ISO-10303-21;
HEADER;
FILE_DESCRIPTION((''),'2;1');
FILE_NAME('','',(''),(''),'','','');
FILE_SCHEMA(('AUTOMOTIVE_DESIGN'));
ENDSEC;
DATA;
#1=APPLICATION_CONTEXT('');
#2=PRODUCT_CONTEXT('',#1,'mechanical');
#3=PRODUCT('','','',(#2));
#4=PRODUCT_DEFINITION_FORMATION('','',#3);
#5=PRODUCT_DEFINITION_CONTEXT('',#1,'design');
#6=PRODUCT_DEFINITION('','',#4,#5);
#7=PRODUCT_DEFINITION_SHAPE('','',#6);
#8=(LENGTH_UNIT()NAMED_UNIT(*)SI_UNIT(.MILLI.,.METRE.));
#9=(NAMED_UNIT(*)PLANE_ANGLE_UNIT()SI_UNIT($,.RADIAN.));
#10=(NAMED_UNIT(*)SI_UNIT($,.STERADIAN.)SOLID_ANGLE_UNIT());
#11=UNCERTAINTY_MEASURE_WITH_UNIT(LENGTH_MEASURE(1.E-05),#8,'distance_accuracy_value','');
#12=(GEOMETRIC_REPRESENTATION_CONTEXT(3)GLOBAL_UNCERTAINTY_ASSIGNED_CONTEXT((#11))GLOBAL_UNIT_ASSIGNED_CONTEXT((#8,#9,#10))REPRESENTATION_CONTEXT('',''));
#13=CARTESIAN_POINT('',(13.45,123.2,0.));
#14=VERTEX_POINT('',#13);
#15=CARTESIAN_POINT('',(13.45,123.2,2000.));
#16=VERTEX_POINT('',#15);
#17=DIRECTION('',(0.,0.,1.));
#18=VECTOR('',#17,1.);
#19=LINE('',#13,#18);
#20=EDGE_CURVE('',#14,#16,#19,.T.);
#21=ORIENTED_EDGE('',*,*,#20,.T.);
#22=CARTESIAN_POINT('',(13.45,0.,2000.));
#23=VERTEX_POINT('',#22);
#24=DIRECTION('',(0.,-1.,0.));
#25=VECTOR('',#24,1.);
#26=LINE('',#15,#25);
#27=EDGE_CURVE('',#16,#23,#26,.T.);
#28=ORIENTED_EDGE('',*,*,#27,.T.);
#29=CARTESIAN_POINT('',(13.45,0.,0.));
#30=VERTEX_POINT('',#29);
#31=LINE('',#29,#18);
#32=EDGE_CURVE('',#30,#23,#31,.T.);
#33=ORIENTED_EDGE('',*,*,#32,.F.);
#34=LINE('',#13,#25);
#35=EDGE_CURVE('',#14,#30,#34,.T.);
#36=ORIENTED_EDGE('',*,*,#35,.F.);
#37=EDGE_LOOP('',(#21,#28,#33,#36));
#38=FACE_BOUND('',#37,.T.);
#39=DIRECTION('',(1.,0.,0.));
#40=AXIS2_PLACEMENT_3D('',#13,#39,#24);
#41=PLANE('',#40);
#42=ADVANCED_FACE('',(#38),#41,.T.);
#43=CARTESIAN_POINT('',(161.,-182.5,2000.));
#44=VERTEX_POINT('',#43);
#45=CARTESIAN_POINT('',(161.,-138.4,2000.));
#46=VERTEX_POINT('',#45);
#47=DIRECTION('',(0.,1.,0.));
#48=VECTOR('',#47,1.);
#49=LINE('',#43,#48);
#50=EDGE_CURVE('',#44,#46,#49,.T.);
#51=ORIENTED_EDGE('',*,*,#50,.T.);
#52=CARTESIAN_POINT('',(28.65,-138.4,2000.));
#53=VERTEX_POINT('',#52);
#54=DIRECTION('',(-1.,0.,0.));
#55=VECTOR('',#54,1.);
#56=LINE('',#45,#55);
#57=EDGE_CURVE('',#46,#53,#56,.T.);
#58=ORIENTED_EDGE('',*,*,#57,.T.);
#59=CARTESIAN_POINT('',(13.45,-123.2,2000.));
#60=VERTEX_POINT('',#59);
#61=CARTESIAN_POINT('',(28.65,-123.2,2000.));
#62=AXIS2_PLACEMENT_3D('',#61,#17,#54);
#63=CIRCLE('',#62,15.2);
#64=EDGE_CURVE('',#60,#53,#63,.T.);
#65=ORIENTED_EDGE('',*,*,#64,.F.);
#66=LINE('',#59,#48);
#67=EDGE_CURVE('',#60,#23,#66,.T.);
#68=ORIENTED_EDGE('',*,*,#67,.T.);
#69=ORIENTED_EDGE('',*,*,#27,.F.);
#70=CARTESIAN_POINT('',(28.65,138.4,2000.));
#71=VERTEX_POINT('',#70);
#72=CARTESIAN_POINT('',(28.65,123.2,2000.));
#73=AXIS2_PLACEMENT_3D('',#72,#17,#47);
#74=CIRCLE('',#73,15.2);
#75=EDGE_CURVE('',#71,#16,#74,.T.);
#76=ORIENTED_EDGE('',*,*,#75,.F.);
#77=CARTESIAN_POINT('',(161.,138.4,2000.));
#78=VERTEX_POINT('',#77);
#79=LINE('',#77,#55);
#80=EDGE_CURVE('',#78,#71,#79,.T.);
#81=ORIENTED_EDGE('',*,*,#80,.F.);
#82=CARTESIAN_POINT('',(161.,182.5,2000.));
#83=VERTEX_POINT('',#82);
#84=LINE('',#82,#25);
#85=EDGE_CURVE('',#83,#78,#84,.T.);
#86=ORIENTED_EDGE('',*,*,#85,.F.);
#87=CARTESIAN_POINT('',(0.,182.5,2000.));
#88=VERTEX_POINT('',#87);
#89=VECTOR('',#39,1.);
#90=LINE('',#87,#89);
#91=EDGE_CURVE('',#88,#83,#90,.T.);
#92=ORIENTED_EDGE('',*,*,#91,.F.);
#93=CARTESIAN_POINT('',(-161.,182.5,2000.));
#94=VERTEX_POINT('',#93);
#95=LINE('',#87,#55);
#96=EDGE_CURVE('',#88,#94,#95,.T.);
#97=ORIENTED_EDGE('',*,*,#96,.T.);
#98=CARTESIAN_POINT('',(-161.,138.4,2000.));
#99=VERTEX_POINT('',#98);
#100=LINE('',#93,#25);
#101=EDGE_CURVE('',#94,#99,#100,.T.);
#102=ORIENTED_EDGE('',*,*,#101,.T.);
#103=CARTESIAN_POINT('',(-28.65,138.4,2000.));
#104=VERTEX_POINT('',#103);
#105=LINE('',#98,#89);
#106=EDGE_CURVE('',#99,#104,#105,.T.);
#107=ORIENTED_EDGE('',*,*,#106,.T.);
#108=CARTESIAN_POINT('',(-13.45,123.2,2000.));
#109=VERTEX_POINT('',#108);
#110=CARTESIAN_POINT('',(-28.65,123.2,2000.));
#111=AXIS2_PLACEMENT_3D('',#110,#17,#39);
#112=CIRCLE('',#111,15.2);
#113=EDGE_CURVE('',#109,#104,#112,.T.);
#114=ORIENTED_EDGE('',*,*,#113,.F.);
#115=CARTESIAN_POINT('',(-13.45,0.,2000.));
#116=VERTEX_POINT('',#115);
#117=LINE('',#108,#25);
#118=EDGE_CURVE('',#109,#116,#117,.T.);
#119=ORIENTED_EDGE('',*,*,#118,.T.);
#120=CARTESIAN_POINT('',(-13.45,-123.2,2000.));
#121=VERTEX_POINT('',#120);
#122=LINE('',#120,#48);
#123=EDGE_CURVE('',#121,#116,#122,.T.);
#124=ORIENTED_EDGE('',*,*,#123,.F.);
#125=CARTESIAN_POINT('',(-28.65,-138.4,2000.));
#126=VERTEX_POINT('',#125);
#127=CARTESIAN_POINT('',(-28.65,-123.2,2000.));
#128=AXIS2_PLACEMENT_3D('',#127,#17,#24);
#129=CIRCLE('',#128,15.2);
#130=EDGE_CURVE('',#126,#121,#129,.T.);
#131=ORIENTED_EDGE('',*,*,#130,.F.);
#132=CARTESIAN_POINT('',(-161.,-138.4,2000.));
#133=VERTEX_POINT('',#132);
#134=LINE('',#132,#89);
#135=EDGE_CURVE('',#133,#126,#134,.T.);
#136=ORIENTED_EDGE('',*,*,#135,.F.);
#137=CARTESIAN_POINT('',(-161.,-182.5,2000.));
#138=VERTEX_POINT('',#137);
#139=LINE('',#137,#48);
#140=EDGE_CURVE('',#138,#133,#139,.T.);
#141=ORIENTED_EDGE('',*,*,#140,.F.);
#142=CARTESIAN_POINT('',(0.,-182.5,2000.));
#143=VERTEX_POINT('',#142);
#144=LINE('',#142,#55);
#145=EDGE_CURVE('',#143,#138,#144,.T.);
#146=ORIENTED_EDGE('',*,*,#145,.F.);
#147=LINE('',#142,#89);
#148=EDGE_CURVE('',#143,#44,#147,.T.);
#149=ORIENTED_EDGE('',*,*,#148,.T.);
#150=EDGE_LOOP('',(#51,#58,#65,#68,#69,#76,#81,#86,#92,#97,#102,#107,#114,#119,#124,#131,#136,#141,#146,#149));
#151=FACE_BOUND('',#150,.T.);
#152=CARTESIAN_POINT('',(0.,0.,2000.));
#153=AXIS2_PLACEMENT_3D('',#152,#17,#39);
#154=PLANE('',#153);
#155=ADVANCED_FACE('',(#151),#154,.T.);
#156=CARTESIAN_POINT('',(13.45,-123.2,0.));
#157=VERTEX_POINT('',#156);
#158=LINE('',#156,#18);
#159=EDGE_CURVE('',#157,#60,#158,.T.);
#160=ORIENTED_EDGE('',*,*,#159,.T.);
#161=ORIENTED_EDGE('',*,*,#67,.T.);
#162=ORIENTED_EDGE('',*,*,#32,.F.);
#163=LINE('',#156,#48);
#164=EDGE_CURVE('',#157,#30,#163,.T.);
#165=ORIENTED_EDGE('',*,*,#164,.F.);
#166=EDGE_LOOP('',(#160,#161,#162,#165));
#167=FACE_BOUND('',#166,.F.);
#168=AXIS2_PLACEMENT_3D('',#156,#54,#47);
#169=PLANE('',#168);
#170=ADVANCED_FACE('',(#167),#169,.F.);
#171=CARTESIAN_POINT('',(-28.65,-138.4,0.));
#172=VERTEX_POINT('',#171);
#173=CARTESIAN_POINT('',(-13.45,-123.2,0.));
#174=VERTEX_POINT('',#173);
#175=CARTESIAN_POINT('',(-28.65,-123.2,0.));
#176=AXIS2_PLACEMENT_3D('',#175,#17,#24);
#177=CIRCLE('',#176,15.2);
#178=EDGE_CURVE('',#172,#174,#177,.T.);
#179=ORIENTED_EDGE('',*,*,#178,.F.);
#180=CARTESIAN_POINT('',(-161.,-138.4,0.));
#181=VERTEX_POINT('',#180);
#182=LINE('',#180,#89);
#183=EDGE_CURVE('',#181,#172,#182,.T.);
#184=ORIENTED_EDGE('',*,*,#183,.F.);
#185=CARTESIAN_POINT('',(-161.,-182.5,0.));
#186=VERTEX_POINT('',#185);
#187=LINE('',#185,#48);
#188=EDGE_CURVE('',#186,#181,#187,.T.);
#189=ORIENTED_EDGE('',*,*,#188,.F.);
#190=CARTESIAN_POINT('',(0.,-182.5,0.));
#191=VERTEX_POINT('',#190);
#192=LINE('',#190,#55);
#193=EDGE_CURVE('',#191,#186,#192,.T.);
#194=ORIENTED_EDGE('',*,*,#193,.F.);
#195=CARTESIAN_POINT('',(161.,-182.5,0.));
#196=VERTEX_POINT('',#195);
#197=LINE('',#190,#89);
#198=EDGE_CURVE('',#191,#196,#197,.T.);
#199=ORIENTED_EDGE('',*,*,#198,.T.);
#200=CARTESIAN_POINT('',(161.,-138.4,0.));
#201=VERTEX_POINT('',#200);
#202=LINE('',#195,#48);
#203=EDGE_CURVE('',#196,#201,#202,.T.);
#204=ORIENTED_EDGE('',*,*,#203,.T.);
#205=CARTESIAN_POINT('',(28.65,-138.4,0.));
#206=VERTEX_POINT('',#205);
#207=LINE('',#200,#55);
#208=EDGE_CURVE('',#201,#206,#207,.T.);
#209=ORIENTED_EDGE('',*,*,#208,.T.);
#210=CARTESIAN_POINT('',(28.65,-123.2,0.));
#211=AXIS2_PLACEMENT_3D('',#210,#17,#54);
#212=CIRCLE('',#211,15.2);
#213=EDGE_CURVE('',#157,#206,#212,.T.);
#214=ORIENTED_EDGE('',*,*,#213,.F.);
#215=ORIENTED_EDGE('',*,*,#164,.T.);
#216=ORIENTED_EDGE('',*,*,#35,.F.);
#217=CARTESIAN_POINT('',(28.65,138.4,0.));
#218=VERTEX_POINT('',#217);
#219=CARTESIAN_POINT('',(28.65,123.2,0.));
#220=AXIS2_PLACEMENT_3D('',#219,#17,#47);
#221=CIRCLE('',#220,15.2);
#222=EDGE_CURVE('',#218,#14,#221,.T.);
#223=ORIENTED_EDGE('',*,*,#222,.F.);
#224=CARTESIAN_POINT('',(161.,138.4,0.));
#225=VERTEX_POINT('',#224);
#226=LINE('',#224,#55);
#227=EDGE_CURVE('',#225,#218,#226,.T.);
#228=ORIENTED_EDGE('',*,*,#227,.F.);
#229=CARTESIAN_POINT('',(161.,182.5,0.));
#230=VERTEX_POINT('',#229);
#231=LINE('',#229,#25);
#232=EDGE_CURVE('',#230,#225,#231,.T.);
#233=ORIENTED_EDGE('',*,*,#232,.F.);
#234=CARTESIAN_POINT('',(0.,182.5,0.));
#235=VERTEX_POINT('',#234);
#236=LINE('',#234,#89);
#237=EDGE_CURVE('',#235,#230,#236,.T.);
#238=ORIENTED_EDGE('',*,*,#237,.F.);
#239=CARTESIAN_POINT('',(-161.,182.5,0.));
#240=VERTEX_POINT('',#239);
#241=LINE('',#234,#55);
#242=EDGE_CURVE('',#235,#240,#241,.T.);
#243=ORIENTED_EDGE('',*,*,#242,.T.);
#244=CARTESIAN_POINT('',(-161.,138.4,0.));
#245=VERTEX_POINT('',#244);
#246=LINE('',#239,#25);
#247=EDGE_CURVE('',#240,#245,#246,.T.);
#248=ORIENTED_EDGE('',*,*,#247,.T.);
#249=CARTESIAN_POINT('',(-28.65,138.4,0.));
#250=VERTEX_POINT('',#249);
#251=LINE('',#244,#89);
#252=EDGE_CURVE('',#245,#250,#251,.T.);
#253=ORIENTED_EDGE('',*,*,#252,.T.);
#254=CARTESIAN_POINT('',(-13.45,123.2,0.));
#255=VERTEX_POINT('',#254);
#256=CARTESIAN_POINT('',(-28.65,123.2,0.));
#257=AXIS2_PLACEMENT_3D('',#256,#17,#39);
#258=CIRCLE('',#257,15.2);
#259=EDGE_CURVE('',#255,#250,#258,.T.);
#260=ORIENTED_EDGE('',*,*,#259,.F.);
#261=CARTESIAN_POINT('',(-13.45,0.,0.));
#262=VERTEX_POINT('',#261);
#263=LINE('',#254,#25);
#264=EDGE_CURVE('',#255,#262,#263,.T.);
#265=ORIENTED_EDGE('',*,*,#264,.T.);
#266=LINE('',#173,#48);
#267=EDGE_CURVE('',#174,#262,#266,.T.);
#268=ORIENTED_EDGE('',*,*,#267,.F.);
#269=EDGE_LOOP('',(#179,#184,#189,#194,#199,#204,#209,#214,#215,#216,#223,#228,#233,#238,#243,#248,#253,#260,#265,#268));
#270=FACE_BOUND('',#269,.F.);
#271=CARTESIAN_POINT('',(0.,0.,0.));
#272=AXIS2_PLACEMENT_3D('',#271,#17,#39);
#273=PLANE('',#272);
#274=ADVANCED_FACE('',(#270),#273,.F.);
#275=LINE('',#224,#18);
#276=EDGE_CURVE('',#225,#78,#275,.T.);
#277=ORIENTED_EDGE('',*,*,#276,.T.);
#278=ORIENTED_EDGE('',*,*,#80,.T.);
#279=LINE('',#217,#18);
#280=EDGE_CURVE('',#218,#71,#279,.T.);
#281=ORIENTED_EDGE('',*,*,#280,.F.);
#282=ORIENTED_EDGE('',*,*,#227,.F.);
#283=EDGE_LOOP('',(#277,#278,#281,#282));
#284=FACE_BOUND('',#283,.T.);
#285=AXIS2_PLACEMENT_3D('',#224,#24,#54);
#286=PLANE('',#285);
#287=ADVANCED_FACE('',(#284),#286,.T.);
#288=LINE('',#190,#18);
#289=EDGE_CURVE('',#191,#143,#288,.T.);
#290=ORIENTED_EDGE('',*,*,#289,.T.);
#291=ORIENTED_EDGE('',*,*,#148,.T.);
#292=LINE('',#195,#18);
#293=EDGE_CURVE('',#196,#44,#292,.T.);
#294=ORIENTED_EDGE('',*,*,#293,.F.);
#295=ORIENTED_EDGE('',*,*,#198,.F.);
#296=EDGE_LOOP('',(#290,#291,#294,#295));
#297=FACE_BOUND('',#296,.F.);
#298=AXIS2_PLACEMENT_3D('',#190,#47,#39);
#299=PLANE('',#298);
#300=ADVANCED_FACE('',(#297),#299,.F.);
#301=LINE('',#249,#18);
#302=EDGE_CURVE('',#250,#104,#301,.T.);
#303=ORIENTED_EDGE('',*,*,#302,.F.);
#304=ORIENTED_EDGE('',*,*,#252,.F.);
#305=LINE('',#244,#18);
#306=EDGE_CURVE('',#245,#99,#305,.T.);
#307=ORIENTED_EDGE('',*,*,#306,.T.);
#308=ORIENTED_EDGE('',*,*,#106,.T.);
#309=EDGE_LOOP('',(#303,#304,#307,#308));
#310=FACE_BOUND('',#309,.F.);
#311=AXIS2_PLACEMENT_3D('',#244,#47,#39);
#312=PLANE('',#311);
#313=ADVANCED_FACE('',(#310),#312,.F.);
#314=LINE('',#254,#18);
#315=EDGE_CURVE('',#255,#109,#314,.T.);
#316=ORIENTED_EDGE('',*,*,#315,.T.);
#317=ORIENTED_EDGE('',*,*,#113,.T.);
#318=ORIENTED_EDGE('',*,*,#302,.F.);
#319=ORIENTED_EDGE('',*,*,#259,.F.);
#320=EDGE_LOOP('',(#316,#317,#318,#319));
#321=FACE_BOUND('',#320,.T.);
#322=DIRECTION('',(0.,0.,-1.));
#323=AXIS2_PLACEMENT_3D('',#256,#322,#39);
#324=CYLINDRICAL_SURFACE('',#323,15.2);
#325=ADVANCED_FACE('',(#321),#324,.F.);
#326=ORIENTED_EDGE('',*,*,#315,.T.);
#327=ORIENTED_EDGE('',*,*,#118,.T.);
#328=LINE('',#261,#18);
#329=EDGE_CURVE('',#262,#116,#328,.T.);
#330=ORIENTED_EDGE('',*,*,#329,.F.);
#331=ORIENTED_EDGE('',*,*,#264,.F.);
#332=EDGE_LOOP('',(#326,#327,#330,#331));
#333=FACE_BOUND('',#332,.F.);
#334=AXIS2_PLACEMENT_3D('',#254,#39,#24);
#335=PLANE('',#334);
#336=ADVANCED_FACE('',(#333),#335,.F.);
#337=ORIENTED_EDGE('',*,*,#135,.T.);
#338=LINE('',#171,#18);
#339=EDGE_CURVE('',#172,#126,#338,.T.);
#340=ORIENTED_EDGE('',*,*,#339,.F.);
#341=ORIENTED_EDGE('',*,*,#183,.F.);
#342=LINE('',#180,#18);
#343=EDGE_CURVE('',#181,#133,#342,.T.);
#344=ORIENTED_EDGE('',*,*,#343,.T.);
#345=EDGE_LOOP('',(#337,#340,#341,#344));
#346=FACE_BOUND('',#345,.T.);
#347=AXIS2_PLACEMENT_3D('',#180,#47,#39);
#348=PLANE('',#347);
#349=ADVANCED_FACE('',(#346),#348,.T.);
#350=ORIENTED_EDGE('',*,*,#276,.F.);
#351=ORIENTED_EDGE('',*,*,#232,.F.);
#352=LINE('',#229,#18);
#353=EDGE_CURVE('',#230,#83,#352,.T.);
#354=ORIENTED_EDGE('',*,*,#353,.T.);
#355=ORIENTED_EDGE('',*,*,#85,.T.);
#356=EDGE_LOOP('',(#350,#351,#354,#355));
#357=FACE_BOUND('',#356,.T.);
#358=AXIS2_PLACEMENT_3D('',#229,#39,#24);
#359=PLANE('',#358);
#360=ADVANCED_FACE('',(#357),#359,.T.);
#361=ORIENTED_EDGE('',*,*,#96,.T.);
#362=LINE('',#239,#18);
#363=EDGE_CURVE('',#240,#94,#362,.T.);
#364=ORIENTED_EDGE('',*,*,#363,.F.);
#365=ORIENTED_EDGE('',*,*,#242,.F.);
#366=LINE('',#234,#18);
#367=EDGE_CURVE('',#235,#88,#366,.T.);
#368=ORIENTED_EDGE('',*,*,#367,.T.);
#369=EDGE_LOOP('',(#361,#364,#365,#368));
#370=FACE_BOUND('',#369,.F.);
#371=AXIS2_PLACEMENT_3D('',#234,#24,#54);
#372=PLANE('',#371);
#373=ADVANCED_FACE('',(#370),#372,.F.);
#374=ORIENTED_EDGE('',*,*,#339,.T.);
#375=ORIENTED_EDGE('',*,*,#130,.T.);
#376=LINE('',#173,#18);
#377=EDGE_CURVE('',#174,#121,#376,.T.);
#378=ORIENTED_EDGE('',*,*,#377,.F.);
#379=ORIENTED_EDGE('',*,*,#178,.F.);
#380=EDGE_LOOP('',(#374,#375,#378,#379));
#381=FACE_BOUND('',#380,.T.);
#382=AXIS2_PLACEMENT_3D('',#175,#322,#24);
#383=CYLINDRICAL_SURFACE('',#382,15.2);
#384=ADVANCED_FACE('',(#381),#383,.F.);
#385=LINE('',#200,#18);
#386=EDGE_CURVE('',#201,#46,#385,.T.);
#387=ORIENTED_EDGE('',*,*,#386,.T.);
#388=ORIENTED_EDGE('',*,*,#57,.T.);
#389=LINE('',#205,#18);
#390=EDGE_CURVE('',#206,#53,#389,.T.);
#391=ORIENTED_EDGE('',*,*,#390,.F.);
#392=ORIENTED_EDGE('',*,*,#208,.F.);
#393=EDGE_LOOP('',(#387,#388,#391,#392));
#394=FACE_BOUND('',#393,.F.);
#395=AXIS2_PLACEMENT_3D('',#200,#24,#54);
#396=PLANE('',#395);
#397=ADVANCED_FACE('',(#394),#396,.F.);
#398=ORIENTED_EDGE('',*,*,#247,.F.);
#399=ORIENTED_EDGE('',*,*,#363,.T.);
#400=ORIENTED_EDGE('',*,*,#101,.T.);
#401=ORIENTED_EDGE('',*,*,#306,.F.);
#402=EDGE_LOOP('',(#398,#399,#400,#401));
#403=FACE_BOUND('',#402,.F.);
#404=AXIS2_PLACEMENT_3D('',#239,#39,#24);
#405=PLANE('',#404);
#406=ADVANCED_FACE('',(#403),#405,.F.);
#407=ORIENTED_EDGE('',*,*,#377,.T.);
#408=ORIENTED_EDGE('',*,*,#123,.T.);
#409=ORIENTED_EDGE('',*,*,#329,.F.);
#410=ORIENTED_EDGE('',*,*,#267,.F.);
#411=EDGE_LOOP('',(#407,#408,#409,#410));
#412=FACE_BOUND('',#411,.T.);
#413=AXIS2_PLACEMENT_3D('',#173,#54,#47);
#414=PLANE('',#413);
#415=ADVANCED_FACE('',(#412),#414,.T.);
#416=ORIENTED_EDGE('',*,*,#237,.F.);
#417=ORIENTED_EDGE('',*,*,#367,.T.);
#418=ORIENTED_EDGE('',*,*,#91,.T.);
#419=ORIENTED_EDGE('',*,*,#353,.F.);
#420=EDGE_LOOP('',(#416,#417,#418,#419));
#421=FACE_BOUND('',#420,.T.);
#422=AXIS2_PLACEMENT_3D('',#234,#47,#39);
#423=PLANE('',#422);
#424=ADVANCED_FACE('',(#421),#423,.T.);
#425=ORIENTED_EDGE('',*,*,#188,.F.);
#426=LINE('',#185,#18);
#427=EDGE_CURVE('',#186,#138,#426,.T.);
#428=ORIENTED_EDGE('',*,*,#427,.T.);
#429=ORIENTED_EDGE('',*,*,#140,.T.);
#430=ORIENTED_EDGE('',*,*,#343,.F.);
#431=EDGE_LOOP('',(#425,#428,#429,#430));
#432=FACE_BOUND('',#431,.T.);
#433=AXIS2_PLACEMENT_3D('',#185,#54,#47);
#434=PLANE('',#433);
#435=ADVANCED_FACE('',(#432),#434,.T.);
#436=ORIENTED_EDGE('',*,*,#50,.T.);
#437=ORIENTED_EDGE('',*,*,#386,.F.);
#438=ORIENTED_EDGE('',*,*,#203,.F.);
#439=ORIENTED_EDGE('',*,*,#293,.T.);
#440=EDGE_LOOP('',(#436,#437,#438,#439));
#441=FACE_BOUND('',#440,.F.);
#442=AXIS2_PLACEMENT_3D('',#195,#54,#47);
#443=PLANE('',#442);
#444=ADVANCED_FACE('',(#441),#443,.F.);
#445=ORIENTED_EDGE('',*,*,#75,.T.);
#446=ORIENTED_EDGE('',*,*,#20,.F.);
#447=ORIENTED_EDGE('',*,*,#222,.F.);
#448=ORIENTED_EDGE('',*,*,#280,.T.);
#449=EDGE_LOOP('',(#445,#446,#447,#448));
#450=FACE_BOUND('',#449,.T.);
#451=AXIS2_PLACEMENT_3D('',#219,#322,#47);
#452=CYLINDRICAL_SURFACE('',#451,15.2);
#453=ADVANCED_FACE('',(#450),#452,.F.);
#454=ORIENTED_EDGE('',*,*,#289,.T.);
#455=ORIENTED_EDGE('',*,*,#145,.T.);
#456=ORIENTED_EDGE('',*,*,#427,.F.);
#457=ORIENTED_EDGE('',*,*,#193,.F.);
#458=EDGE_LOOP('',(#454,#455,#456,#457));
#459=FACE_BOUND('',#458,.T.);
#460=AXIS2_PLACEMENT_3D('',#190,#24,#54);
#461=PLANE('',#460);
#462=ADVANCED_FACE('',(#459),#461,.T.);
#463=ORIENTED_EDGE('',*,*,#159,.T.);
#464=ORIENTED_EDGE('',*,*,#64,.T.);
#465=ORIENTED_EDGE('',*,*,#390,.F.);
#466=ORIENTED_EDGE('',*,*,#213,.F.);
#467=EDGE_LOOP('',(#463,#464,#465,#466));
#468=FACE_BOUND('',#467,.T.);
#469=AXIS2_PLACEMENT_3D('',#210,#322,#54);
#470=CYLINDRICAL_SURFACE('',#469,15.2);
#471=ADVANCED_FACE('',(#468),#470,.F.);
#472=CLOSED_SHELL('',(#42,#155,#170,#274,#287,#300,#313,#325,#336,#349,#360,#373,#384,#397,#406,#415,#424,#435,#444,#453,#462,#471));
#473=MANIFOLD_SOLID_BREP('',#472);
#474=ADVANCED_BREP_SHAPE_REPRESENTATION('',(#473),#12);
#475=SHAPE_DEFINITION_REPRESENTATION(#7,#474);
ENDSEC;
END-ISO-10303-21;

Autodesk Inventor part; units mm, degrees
ref_plane "YZ Plane" through (0, 0, 0) normal (1, 0, 0) x (0, 1, 0)
ref_plane "Start plane" through (0, 0, 0) normal (0, 0, 1) x (1, 0, 0)
ref_plane "End plane" through (0, 0, 2000) normal (0, 0, 1) x (1, 0, 0)
sketch "Sketch" plane through (0, 0, 0) normal (0, 0, 1) x (1, 0, 0)
  line L0 (-161, -182.5) -> (-161, -138.4)
  line L1 (-161, -138.4) -> (-28.65, -138.4)
  line L2 (-13.45, -123.2) -> (-13.45, 0)
  line L3 (-13.45, 0) -> (0, 0) construction
  line L4 (0, 0) -> (0, -182.5) construction
  line L5 (0, -182.5) -> (-161, -182.5)
  line L6 (-60, 0) -> (80, 0) construction
  line L7 (0, -60) -> (0, 80) construction
  line L8 (161, -182.5) -> (161, -138.4)
  line L9 (161, -138.4) -> (28.65, -138.4)
  line L10 (13.45, -123.2) -> (13.45, 0)
  line L11 (13.45, 0) -> (0, 0) construction
  line L12 (0, -182.5) -> (161, -182.5)
  line L13 (-161, 182.5) -> (-161, 138.4)
  line L14 (-161, 138.4) -> (-28.65, 138.4)
  line L15 (-13.45, 123.2) -> (-13.45, 0)
  line L16 (0, 182.5) -> (-161, 182.5)
  line L17 (161, 182.5) -> (161, 138.4)
  line L18 (161, 138.4) -> (28.65, 138.4)
  line L19 (0, 182.5) -> (161, 182.5)
  line L20 (13.45, 123.2) -> (13.45, 0)
  arc A0 (-13.45, 123.2) -> (-28.65, 138.4) centre (-28.65, 123.2) ccw
  arc A1 (28.65, 138.4) -> (13.45, 123.2) centre (28.65, 123.2) ccw
  arc A2 (13.45, -123.2) -> (28.65, -138.4) centre (28.65, -123.2) ccw
  arc A3 (-28.65, -138.4) -> (-13.45, -123.2) centre (-28.65, -123.2) ccw
  line L21 (0, 108) -> (0, -88) construction
  line L22 (-88, 0) -> (108, 0) construction
  point P0 (-13.45, -138.4)
  point P1 (13.45, -138.4)
  point P2 (-13.45, 138.4)
  point P3 (13.45, 138.4)
  dimension "d1" = 182.5
  dimension "d2" = 44.1
  dimension "d3" = 161
  dimension "d4" = 13.45
  dimension "d10" = 15.2
extrude "Body" add sketch "Sketch" along normal up to surface (2000 mm away) from surface at 0
sketch "Sketch4" plane through (0, 0, 0) normal (0, 0, 1) x (1, 0, 0)
  line L0 (0, 0) -> (10, 0)
ref_plane "Work Plane3" through (0, 0, 0) normal (0, -1, 0) x (1, 0, 0)
sketch "Sketch5" plane through (0, 0, 0) normal (0, -1, 0) x (1, 0, 0)
  line L0 (-2, 0) -> (12, 0) projected
  line L1 (-2, 2000) -> (12, 2000) projected
  dimension "d14" = 2000
equation "\"d1\" = 0.5 * G_H"
equation "\"d2\" = G_T1"
equation "\"d3\" = 0.5 * G_W"
equation "\"d4\" = 0.5 * G_T"
equation "\"d10\" = G_IR"
equation "\"d5\" = G_L"
equation "\"G_W\" = 322"
equation "\"G_H\" = 365"
equation "\"G_T\" = 26.9"
equation "\"G_T1\" = 44.1"
equation "\"G_IR\" = 15.2"
equation "\"G_L\" = d14"
equation "\"G_OFFSET_START\" = 0"
equation "\"G_OFFSET_END\" = 0"
properties part number "AS 3679 - 310 UC - 283 - 2000" material "Steel, Mild"
